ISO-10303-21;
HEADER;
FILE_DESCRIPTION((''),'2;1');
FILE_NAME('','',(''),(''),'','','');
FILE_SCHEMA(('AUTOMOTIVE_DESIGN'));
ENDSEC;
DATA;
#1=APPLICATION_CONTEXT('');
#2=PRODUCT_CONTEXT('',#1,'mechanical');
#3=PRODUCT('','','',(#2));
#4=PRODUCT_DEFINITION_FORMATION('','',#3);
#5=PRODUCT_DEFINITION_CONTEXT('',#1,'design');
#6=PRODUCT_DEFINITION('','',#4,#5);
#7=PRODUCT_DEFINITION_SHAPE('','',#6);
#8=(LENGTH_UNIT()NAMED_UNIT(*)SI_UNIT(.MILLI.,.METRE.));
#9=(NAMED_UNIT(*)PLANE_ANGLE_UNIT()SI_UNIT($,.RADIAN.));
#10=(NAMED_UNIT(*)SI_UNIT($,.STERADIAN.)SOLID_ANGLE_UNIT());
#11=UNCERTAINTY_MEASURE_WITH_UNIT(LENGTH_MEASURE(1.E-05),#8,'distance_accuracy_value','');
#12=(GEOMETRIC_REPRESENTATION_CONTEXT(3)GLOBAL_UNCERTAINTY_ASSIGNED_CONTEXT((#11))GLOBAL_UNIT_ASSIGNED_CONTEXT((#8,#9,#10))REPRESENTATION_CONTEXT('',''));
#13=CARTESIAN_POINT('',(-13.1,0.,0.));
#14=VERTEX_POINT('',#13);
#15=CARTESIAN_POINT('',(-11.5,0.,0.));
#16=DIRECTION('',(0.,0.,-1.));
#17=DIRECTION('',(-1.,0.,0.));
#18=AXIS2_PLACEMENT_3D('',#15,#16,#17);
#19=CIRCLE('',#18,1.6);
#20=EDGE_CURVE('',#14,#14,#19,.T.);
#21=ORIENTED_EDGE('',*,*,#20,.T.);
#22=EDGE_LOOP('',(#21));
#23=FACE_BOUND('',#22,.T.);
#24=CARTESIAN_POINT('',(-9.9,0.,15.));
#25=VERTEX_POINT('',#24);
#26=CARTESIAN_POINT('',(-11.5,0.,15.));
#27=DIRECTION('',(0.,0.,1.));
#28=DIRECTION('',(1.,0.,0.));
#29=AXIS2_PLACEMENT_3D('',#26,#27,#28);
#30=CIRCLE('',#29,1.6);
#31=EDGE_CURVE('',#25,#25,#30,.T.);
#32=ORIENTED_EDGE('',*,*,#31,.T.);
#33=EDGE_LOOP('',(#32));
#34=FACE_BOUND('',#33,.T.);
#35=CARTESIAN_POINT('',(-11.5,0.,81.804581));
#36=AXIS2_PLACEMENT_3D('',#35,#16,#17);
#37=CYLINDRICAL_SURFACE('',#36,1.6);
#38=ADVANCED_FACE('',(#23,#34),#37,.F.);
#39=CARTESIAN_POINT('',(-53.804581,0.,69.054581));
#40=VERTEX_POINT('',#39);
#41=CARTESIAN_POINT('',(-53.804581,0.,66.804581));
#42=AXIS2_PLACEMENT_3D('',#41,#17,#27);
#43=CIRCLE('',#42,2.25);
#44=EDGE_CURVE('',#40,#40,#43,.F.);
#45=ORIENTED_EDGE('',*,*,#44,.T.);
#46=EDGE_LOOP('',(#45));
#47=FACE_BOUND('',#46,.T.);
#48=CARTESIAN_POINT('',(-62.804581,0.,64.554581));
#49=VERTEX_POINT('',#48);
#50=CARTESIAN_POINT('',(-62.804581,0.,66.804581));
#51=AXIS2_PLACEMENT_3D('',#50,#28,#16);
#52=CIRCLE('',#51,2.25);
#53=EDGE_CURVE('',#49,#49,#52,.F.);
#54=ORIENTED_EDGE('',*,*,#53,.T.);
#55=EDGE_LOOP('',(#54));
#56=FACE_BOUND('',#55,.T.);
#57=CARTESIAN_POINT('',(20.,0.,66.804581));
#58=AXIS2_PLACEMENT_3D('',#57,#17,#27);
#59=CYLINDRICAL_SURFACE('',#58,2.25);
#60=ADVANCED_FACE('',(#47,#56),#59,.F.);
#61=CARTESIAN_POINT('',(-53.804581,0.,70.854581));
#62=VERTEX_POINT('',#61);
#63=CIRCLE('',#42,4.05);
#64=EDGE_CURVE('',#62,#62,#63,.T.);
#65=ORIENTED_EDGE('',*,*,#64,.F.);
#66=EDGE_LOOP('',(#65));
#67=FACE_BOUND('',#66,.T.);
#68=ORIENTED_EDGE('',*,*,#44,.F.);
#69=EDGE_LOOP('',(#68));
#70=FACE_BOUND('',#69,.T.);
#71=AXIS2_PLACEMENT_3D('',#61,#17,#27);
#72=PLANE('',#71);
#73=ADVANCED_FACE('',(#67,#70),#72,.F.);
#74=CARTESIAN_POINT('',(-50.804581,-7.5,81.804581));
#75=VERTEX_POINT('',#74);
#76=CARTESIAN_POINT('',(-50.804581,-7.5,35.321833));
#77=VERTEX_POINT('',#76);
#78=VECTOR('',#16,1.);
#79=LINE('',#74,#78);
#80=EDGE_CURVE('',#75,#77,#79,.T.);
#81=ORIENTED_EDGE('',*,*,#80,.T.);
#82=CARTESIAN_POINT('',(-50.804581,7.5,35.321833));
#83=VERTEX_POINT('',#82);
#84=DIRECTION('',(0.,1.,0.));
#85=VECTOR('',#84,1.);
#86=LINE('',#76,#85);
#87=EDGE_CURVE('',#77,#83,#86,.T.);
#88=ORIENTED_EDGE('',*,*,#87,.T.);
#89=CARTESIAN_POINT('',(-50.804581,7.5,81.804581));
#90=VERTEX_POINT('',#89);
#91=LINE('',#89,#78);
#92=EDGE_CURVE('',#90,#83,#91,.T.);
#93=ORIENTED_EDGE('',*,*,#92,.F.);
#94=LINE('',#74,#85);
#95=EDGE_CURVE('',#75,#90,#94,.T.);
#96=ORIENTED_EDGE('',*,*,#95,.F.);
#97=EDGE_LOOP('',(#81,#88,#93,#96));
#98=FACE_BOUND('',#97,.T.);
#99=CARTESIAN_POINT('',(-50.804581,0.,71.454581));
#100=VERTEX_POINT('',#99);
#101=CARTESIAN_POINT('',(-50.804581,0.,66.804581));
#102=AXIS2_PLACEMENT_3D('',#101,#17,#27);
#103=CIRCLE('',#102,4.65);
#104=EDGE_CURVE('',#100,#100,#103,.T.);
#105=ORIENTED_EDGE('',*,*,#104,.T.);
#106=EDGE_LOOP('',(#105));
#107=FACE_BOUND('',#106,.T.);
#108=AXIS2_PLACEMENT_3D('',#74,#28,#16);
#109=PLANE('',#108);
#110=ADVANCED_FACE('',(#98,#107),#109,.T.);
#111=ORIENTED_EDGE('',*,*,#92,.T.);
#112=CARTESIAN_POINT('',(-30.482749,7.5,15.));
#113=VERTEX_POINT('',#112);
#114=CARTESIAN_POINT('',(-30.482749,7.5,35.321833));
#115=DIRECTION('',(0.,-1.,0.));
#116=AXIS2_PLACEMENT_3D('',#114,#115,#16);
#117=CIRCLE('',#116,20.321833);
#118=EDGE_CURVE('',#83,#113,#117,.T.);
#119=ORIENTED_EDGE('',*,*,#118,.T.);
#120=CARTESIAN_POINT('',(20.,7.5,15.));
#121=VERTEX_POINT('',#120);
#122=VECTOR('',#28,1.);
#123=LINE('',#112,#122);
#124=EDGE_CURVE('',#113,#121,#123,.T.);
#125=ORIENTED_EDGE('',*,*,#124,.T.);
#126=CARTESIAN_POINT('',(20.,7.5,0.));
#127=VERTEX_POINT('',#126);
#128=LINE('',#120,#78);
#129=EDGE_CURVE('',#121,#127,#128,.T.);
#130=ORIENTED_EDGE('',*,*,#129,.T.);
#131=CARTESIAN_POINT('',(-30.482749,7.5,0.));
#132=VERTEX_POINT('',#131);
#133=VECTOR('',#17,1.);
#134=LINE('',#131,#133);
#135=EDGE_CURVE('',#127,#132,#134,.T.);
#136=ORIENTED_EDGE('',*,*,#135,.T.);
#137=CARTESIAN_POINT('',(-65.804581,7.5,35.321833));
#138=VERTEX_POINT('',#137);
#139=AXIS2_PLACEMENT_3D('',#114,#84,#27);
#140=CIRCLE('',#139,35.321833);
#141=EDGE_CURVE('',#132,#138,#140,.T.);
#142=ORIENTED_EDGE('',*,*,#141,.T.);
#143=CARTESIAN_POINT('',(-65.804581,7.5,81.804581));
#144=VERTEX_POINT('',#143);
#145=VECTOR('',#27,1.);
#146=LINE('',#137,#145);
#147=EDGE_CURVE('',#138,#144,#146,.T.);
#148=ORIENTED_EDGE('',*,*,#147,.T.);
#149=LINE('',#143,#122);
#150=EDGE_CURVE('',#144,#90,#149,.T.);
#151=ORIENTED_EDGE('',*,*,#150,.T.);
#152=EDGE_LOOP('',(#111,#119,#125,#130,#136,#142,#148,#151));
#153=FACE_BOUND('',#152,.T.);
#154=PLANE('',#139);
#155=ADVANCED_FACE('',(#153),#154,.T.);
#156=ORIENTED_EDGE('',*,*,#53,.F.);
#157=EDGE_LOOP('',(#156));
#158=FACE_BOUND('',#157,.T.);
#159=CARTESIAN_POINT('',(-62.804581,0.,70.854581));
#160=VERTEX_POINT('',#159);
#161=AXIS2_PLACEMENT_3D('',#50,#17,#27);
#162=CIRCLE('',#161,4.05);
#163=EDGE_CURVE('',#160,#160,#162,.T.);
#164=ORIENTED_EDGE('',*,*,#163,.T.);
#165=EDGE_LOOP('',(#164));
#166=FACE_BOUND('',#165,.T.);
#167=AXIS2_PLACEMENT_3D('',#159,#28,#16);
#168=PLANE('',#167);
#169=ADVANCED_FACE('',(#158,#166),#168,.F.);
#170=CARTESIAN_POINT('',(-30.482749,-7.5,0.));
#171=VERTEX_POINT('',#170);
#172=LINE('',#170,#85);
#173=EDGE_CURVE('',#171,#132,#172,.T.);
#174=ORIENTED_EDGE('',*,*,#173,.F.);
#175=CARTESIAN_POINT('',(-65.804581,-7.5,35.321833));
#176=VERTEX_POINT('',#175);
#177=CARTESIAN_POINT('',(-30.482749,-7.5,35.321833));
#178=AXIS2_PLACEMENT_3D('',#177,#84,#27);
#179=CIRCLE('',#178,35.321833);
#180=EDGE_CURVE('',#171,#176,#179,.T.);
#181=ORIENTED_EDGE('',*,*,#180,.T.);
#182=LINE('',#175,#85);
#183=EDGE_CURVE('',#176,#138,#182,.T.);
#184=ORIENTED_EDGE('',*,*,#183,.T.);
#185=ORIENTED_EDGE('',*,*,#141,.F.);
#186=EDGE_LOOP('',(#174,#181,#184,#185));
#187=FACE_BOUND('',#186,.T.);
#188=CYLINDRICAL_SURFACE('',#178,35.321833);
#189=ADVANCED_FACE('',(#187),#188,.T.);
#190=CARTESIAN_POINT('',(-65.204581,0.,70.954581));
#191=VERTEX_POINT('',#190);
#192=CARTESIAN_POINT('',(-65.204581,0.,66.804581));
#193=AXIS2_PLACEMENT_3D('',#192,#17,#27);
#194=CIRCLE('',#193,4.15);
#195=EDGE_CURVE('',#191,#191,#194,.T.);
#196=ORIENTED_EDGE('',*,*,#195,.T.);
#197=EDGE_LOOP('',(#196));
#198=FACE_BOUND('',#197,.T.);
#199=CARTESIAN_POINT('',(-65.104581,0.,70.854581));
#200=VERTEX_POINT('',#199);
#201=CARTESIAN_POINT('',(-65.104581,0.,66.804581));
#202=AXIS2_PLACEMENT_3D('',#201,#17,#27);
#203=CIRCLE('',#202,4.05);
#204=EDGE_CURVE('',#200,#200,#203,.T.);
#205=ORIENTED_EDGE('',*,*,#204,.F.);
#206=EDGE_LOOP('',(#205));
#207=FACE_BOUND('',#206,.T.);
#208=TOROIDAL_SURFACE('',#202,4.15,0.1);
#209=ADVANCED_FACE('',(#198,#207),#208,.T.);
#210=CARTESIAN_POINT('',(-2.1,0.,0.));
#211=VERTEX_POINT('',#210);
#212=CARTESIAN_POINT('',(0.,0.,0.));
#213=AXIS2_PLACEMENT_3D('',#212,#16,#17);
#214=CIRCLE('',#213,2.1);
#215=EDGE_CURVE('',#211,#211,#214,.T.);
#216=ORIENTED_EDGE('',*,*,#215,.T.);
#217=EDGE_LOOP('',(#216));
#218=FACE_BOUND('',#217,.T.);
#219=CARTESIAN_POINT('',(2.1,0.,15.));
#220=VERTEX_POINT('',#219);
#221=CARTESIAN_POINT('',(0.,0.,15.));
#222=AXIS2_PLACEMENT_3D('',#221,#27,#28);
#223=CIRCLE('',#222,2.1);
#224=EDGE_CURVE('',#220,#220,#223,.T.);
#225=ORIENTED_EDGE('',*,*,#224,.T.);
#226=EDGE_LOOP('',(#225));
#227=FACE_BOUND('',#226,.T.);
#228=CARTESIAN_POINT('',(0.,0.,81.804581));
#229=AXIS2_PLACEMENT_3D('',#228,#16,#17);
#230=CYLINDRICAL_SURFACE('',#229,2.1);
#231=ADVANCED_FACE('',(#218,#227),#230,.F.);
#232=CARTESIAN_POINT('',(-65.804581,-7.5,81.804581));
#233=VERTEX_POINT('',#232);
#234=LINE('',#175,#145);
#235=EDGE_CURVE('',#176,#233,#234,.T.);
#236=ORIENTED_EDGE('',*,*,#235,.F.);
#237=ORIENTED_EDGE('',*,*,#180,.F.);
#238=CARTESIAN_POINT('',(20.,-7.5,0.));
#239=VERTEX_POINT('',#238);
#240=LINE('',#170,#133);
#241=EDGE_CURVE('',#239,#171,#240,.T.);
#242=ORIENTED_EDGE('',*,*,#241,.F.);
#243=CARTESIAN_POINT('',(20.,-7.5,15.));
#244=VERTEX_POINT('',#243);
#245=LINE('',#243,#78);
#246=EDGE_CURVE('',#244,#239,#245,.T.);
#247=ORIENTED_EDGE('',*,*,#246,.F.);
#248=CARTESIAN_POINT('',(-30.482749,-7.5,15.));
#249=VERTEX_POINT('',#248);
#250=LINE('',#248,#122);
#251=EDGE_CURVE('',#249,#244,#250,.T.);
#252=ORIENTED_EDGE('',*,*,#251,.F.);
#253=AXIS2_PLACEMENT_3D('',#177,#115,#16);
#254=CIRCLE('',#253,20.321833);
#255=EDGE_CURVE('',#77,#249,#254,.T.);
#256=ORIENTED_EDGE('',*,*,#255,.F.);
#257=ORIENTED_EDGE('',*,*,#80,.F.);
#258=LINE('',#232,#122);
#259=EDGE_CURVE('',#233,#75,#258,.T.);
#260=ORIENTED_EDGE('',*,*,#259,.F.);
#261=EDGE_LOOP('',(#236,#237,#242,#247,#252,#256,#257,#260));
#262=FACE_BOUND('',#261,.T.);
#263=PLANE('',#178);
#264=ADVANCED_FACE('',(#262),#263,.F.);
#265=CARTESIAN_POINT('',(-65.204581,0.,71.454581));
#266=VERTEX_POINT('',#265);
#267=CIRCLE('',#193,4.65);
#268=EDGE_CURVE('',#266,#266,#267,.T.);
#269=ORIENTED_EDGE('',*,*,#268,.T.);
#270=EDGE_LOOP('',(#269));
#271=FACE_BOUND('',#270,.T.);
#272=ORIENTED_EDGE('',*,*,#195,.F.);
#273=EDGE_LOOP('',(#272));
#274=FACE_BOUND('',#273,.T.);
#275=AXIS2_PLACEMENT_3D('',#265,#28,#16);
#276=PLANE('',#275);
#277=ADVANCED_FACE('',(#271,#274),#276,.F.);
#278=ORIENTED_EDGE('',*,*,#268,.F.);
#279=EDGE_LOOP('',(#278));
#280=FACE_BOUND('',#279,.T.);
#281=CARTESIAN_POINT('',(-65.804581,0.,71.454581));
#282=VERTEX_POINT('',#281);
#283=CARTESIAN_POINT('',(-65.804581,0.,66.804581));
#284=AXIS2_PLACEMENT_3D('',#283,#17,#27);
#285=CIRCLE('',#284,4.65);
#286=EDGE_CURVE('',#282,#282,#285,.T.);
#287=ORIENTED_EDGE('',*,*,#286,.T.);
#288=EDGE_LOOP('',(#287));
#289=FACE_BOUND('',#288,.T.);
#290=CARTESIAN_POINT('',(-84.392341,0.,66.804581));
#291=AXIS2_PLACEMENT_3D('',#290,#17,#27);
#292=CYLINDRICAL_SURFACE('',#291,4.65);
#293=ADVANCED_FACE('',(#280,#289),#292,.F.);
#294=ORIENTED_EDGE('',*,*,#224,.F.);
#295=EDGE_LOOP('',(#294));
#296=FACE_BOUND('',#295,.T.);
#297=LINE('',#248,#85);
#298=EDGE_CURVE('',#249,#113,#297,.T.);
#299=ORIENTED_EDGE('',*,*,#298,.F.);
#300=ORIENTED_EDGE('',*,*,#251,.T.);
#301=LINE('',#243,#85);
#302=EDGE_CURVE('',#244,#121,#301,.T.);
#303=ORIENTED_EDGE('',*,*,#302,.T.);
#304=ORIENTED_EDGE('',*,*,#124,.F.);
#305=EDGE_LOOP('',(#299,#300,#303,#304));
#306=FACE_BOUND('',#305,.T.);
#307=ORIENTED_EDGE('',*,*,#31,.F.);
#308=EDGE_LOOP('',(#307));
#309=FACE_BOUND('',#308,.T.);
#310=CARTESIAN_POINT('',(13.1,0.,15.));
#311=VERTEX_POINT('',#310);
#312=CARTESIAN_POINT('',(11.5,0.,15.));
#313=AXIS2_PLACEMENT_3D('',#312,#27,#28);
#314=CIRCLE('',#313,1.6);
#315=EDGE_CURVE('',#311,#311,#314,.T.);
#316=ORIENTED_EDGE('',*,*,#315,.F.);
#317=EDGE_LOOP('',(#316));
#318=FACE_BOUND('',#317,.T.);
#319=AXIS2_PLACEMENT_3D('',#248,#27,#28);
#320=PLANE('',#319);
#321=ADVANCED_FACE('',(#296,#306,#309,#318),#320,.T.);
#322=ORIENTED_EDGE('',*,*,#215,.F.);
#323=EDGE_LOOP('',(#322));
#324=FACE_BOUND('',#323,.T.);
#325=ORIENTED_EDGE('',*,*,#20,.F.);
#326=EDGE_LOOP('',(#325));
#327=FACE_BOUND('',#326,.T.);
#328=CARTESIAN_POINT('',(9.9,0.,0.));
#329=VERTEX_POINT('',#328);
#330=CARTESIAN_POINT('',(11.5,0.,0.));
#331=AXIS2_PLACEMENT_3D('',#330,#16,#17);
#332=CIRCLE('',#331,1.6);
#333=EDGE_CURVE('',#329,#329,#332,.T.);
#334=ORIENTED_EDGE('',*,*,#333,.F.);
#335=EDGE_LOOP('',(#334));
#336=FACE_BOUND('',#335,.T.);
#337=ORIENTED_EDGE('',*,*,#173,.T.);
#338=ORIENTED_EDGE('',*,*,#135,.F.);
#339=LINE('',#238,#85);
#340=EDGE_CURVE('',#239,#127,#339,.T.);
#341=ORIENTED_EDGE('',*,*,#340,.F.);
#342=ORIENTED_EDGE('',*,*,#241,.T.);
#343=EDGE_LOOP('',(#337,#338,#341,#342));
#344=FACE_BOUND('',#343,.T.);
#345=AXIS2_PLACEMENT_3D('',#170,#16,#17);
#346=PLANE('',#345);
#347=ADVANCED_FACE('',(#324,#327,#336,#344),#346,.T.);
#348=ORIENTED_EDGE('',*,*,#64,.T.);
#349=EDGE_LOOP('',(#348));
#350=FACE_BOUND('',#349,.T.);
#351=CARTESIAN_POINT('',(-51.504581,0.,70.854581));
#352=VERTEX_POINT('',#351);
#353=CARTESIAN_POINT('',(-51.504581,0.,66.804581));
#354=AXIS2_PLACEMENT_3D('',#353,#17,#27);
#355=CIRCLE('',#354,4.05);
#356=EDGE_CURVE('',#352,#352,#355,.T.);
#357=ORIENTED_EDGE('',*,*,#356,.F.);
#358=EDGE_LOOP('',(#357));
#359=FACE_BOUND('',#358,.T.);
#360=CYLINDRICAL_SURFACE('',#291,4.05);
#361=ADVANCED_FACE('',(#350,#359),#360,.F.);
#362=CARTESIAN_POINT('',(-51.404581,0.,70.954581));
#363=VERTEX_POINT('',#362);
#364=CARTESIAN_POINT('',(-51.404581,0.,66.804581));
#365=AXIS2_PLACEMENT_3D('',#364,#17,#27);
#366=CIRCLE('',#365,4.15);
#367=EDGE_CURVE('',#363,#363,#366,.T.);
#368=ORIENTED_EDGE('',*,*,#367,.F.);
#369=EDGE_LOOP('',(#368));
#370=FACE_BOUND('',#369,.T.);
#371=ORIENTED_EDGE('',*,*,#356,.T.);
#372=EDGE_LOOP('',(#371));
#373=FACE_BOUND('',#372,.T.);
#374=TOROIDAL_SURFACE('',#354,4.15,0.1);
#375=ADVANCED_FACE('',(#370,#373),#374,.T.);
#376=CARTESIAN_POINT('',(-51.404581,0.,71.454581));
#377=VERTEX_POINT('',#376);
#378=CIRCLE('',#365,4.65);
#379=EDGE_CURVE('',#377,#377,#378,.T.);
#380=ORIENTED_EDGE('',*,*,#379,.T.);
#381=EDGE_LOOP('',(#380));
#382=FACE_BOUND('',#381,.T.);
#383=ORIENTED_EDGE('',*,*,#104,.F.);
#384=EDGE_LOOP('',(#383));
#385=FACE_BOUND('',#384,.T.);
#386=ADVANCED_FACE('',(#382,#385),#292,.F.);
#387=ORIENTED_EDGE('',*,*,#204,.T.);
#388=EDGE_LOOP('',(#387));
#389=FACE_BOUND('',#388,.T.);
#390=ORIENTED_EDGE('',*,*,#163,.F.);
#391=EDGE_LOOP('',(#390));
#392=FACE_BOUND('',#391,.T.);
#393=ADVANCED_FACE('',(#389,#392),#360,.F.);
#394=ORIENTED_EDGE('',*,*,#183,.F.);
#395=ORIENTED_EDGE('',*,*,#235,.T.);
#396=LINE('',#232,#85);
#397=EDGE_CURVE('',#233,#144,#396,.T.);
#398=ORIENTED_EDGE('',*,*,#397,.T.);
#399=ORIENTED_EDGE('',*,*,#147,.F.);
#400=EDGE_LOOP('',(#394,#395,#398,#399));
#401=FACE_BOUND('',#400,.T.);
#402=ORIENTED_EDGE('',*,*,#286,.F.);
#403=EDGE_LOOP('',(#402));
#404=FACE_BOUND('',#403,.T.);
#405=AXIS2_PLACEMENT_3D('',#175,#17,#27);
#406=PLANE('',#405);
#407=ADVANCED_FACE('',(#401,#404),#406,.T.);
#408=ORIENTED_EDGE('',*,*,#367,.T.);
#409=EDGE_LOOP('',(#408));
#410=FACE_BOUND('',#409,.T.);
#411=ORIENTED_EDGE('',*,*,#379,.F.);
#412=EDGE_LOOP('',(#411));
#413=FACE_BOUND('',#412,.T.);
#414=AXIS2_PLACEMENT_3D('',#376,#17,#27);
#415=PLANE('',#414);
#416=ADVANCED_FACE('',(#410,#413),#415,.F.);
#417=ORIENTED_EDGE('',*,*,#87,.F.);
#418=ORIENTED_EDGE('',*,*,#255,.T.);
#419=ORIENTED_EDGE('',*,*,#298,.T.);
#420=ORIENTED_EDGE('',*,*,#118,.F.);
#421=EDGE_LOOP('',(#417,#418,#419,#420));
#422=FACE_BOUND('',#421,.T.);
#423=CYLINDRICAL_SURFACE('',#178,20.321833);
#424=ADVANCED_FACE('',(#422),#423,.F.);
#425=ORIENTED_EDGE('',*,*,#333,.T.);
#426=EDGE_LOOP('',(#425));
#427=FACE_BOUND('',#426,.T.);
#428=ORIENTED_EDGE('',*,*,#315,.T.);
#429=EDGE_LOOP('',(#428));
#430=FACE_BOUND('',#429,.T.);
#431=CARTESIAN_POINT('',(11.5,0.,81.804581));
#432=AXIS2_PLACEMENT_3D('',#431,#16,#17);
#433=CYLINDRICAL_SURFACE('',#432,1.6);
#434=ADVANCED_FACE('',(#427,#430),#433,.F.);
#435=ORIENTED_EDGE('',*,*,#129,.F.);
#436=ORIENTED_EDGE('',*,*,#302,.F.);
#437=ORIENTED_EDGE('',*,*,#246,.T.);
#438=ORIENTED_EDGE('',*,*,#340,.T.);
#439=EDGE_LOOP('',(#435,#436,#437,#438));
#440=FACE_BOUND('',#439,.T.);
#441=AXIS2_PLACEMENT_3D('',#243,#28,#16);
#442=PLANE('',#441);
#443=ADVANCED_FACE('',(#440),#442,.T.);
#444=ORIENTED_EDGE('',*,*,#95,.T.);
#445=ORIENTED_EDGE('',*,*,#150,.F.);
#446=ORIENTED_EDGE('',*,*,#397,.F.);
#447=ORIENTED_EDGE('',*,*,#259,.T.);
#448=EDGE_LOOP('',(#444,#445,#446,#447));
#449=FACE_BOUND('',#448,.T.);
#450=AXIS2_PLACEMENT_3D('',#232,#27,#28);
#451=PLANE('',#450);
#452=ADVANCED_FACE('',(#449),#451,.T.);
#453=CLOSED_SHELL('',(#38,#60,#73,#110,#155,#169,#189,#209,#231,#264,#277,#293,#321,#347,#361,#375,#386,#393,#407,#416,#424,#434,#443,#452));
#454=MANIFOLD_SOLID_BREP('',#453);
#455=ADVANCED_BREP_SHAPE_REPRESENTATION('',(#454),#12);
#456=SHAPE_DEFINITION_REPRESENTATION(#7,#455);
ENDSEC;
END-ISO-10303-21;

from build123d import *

# Parameters (mm, degrees)
BOSS_EXTRUDE1_DEPTH      = 7.5
BOSS_EXTRUDE1_DEPTH_BACK = 7.5
CUT_EXTRUDE1_DEPTH       = 109.450580006
CUT_EXTRUDE1_DEPTH_BACK  = 109.450580006
SKETCH2_R                = 2.25
SKETCH3_R                = 2.1
SKETCH3_R_2              = 1.6
CUT_EXTRUDE2_DEPTH       = 106.254370403


with BuildPart() as part:
    # Sketch1 → Boss-Extrude1 (new, two sides: drawn at the far end of the back side and taken through both)
    with BuildSketch(Plane(origin=(0, 0, 0), x_dir=(1, 0, 0), z_dir=(0, 1, 0)).offset(-BOSS_EXTRUDE1_DEPTH_BACK)):
        with BuildLine():
            Line((-65.80458146, -35.321832584), (-65.80458146, -81.80458146))
            Line((-65.80458146, -81.80458146), (-50.80458146, -81.80458146))
            Line((-50.80458146, -81.80458146), (-50.80458146, -35.321832584))
            ThreePointArc((-50.80458146, -35.321832584), (-44.852454502, -20.952126958), (-30.482748876, -15))
            Line((-30.482748876, -15), (20, -15))
            Line((20, -15), (20, 0))
            Line((20, 0), (-30.482748876, 0))
            ThreePointArc((-30.482748876, 0), (-55.45905622, -10.34552524), (-65.80458146, -35.321832584))
        make_face()
    extrude(amount=BOSS_EXTRUDE1_DEPTH + BOSS_EXTRUDE1_DEPTH_BACK)

    # Sketch2 → Cut-Extrude1 (cut, two sides: drawn at the far end of the back side and taken through both)
    with BuildSketch(Plane.ZY.offset(50.80458146).offset(-CUT_EXTRUDE1_DEPTH_BACK)):
        with Locations((66.80458146, 0)):
            Circle(SKETCH2_R)
    extrude(amount=CUT_EXTRUDE1_DEPTH + CUT_EXTRUDE1_DEPTH_BACK, mode=Mode.SUBTRACT)

    # Sketch3 → Cut-Extrude2 (cut, through all)
    with BuildSketch(Plane(origin=(0, 0, 0), x_dir=(-1, 0, 0), z_dir=(0, 0, -1))):
        Circle(SKETCH3_R)
        with Locations((-11.5, 0)):
            Circle(SKETCH3_R_2)
        with Locations((11.5, 0)):
            Circle(SKETCH3_R_2)
    extrude(amount=-CUT_EXTRUDE2_DEPTH, mode=Mode.SUBTRACT)

    # Sketch5 → bearing-seats (revolve, cut)
    with BuildSketch(Plane(origin=(0, 0, 0), x_dir=(1, 0, 0), z_dir=(0, 1, 0))):
        with BuildLine():
            Line((-65.80458146, -71.45458146), (-65.20458146, -71.45458146))
            Line((-65.20458146, -71.45458146), (-65.20458146, -70.95458146))
            ThreePointArc((-65.20458146, -70.95458146), (-65.175292138, -70.883870782), (-65.10458146, -70.85458146))
            Line((-65.10458146, -70.85458146), (-62.80458146, -70.85458146))
            Line((-62.80458146, -70.85458146), (-62.80458146, -66.80458146))
            Line((-62.80458146, -66.80458146), (-65.80458146, -66.80458146))
            Line((-65.80458146, -66.80458146), (-65.80458146, -71.45458146))
        make_face()
        with BuildLine():
            Line((-50.80458146, -66.80458146), (-53.80458146, -66.80458146))
            Line((-53.80458146, -66.80458146), (-53.80458146, -70.85458146))
            Line((-53.80458146, -70.85458146), (-51.50458146, -70.85458146))
            ThreePointArc((-51.50458146, -70.85458146), (-51.433870782, -70.883870782), (-51.40458146, -70.95458146))
            Line((-51.40458146, -70.95458146), (-51.40458146, -71.45458146))
            Line((-51.40458146, -71.45458146), (-50.80458146, -71.45458146))
            Line((-50.80458146, -71.45458146), (-50.80458146, -66.80458146))
        make_face()
    revolve(axis=Axis((-84.392341333, 0, 66.80458146), (1, 0, 0)), mode=Mode.SUBTRACT)


solid = part.part
